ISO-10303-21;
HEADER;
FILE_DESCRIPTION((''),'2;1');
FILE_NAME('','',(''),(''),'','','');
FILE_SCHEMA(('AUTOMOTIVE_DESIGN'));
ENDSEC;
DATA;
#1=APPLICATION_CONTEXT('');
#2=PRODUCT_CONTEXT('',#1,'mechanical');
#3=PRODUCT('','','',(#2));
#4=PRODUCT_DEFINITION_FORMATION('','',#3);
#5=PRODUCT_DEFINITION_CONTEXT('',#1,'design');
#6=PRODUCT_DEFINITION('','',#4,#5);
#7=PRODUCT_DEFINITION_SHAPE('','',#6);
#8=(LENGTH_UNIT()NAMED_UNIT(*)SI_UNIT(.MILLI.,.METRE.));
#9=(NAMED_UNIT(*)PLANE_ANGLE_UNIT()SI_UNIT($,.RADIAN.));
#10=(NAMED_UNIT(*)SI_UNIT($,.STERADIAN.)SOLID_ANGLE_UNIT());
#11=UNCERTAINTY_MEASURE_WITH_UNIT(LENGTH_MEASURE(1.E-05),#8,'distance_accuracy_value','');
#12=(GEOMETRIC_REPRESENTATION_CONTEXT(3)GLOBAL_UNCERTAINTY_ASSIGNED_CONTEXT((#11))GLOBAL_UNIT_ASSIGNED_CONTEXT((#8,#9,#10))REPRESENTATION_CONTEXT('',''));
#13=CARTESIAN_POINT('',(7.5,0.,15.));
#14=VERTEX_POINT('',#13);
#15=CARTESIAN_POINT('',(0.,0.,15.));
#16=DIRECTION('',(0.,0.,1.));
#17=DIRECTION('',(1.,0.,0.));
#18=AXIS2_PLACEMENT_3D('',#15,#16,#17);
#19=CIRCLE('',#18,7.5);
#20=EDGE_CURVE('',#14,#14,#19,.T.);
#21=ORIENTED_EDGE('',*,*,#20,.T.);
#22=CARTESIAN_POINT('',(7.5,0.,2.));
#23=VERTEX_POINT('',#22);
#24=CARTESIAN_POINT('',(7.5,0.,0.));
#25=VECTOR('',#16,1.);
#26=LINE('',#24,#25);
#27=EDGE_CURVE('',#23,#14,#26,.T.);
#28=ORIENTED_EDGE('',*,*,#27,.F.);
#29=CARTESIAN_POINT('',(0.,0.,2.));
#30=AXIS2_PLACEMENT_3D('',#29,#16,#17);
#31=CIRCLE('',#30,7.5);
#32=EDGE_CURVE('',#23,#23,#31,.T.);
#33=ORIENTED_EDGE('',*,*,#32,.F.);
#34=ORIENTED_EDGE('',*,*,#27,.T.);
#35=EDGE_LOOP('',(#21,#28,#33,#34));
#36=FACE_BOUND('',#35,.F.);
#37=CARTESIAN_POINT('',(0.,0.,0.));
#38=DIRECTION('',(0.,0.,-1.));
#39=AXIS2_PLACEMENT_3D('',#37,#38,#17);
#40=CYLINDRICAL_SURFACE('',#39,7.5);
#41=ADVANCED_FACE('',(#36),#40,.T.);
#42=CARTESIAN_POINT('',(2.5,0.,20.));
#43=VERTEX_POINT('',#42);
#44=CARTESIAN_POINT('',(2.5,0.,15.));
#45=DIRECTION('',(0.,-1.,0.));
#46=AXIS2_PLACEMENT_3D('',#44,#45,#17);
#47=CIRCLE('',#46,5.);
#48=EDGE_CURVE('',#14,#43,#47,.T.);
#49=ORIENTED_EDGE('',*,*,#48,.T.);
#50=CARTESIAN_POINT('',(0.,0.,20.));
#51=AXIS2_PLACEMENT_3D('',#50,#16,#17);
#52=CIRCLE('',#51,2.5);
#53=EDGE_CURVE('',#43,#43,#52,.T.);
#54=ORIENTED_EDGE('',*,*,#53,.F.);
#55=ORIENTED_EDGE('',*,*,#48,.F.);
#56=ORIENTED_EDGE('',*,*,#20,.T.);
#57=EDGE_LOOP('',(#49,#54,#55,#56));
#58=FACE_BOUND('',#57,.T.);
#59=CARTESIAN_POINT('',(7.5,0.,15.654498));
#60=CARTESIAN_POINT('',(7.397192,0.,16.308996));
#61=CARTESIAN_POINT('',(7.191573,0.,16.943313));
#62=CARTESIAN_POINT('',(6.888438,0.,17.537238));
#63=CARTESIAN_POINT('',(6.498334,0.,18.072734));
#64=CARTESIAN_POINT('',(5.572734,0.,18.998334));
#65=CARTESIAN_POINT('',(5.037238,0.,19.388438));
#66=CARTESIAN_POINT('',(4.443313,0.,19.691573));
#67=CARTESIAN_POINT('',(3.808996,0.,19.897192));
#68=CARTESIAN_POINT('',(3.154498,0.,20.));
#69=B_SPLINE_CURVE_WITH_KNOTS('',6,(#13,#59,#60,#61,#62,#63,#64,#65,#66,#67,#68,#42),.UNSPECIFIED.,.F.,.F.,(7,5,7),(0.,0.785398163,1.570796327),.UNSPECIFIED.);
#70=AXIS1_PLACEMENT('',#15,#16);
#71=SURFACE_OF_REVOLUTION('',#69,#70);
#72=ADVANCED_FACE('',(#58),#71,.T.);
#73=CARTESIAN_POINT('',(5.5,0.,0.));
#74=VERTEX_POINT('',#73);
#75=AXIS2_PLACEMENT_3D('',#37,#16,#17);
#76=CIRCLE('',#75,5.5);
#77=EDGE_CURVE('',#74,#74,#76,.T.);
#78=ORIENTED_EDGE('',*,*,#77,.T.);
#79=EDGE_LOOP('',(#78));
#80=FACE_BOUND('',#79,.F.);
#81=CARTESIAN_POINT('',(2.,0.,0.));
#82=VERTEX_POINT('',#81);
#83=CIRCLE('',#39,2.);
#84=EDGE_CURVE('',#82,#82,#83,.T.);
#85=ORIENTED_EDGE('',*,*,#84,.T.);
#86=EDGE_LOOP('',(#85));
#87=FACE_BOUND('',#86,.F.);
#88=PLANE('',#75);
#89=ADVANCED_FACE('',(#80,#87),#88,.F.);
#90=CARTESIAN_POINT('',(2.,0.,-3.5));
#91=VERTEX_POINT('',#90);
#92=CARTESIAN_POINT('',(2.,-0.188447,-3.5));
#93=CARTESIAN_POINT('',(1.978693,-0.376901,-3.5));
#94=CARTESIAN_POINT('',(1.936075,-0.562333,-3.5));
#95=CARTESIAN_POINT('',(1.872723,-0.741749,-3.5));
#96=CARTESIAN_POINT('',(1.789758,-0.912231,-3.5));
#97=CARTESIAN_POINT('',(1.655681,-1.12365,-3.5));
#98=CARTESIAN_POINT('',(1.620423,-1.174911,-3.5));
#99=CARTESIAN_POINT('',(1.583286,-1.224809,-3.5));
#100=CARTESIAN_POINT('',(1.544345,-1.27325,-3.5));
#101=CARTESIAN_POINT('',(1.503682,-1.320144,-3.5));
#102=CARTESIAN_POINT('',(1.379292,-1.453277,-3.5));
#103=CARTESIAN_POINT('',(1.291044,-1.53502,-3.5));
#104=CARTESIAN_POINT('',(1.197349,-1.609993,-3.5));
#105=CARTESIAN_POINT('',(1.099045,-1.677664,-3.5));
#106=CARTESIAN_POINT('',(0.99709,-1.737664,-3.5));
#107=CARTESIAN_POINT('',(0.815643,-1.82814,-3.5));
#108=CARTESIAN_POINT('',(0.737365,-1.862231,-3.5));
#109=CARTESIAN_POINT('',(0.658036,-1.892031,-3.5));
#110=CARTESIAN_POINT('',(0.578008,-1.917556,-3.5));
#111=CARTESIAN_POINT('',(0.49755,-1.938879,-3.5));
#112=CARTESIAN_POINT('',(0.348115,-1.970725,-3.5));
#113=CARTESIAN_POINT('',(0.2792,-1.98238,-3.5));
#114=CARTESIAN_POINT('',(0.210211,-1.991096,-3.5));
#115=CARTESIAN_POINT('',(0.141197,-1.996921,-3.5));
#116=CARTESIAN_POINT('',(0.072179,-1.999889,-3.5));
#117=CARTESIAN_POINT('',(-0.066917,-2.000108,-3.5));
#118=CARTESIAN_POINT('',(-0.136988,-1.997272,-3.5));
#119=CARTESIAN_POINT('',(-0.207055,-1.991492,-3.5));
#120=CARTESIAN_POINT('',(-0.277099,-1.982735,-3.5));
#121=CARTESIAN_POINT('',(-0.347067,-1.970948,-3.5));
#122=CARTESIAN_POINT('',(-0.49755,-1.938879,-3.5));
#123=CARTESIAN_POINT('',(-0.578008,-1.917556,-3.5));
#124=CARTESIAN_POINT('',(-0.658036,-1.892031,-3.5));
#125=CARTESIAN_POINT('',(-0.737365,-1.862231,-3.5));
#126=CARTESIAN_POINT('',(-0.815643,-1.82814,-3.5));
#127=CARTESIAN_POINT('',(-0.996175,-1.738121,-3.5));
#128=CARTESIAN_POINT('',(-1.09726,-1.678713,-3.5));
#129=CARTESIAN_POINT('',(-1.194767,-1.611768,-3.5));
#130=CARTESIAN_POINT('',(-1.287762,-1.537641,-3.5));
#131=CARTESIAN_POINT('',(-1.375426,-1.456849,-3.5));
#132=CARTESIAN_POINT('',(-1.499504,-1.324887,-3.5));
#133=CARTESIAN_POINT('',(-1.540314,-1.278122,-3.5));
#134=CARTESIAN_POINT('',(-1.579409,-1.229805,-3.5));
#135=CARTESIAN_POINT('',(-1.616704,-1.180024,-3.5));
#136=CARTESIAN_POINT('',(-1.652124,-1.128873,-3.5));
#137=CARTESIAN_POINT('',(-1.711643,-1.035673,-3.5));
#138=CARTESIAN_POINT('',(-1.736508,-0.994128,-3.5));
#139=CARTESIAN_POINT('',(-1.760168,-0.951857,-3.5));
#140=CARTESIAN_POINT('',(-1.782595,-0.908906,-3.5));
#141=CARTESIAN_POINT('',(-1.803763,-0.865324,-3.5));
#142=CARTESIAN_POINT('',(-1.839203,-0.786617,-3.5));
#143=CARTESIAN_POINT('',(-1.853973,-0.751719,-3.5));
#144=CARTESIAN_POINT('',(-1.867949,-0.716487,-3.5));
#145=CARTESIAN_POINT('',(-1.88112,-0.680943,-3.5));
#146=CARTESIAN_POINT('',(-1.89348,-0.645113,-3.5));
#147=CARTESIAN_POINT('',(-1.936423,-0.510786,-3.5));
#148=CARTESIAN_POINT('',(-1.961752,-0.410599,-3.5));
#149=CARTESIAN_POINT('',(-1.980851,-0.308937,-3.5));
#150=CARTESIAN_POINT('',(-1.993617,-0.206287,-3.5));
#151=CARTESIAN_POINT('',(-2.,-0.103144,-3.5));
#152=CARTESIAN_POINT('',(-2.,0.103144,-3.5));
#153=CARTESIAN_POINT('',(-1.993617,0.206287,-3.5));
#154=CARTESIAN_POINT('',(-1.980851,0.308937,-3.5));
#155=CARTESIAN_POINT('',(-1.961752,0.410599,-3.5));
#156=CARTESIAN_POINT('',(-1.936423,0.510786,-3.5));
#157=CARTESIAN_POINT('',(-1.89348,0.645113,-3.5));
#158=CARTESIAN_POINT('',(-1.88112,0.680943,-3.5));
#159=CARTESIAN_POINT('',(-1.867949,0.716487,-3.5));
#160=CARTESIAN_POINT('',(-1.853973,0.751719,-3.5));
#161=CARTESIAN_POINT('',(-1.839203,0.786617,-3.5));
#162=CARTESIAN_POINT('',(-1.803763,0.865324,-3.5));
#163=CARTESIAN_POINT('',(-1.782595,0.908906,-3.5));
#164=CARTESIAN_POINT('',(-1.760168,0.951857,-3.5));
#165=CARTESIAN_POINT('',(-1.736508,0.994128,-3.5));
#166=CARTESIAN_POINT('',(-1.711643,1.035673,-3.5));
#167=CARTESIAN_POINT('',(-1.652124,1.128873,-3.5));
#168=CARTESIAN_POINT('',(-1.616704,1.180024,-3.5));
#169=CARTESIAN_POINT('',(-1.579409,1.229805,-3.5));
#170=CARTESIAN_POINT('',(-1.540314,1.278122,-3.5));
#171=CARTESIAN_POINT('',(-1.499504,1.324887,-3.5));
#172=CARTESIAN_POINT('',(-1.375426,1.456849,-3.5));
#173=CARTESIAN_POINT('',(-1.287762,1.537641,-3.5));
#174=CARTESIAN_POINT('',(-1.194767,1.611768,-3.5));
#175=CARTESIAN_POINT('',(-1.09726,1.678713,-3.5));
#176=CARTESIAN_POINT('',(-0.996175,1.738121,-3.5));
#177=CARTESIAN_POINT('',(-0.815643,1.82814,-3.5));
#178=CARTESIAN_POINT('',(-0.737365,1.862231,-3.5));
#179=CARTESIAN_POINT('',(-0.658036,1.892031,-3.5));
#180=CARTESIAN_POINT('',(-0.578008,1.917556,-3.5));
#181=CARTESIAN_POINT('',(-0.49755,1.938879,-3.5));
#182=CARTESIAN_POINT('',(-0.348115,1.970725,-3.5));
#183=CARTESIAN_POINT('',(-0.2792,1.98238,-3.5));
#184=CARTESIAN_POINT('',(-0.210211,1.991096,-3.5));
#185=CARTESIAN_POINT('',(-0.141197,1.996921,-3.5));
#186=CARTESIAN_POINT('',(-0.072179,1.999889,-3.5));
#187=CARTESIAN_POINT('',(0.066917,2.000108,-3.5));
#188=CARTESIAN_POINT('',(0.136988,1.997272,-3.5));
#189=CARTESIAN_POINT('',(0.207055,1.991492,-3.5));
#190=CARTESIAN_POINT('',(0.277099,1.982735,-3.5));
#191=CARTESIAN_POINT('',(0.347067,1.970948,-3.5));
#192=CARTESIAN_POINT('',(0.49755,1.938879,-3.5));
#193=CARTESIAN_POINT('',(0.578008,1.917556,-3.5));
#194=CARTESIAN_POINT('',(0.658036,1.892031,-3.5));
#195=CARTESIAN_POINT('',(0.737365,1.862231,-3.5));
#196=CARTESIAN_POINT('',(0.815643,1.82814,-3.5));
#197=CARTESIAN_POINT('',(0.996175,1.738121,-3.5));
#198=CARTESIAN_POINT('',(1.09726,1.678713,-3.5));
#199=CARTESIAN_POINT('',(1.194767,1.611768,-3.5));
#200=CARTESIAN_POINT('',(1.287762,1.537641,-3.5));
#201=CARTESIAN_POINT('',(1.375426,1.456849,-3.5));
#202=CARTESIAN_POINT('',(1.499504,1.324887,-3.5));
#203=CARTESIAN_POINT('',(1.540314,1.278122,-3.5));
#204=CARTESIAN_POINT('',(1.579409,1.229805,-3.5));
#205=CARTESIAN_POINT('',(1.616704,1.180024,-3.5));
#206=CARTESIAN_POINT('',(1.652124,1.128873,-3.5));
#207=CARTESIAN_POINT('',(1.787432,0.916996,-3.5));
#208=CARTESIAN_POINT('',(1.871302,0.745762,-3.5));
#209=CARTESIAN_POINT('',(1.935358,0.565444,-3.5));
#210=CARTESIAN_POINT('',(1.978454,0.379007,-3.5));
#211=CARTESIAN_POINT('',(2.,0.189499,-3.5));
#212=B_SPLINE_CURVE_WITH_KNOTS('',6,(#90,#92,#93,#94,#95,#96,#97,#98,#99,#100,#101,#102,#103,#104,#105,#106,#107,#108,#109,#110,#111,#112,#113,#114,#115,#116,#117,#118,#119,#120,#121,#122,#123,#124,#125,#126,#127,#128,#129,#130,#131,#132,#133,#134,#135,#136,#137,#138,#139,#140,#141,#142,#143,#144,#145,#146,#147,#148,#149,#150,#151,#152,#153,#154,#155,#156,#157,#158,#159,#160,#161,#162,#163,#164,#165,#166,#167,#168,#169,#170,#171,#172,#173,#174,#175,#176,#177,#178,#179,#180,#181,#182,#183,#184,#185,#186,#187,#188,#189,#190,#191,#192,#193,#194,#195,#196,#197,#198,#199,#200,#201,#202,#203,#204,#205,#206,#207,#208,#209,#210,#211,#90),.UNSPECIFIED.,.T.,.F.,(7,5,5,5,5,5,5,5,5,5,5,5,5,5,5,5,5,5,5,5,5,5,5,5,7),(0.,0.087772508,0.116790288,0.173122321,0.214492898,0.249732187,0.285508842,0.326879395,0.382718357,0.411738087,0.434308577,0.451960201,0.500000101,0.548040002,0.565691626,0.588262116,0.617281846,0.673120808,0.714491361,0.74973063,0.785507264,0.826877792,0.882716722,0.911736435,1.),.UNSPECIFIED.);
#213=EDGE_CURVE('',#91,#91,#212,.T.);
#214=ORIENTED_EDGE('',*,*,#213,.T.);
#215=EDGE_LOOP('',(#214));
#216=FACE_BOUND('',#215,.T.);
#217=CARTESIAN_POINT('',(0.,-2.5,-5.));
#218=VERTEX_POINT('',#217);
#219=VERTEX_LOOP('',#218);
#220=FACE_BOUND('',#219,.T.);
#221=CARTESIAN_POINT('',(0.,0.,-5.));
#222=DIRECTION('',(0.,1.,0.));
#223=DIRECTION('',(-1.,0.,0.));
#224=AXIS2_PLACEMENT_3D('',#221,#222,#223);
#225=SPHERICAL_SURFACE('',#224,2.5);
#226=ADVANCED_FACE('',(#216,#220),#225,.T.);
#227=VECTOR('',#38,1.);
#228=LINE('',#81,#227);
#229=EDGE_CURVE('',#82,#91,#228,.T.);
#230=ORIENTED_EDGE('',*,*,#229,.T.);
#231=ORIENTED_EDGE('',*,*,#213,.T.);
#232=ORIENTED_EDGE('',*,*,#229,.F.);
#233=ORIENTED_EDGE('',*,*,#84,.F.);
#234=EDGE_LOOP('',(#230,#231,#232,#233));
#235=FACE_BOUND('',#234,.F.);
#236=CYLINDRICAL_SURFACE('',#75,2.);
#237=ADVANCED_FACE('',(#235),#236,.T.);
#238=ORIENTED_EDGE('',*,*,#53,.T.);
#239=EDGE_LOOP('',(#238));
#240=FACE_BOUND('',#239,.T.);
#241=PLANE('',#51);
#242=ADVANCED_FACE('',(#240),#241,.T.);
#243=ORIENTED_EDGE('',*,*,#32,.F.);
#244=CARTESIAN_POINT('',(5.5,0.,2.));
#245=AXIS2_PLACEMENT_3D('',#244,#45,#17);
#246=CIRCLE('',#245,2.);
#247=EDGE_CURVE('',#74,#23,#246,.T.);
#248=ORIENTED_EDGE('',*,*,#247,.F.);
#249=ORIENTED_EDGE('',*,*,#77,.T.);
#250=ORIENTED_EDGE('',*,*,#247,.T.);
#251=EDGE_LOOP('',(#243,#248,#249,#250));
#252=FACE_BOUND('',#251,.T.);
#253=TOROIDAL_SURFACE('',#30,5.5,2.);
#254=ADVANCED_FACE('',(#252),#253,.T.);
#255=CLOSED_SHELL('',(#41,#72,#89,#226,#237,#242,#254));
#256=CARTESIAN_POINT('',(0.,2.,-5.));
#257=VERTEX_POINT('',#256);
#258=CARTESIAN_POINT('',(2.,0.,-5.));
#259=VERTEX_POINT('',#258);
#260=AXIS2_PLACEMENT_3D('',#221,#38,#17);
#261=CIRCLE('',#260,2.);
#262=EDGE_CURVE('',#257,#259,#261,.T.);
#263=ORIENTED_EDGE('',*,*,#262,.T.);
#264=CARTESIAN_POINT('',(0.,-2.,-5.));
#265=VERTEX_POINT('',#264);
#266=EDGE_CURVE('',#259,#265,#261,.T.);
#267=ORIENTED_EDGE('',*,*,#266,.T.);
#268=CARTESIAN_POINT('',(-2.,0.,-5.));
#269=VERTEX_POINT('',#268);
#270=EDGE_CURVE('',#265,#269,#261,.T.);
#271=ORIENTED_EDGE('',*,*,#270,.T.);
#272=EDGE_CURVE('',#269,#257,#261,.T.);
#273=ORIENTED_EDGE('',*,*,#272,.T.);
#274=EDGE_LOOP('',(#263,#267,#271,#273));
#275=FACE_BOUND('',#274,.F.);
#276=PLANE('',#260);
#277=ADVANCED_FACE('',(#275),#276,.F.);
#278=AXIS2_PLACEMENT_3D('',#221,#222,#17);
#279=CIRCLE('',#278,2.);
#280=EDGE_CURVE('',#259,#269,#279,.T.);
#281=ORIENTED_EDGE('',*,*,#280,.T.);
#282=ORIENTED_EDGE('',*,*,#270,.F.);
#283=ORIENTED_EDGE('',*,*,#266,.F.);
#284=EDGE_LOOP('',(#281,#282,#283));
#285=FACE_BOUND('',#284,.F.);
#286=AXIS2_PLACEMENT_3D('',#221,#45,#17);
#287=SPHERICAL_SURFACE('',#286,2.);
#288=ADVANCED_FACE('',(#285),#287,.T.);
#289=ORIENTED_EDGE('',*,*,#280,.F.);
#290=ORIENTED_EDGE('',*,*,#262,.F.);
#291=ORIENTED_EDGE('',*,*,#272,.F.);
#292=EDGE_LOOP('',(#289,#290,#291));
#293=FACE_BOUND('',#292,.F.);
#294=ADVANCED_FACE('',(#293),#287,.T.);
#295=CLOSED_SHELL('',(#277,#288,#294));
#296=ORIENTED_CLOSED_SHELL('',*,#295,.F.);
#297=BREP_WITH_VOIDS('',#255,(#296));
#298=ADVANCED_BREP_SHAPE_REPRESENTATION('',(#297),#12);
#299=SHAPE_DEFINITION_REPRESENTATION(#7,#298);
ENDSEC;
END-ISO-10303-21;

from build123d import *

# Parameters (mm, degrees)
F0_R     = 7.5
F1_DEPTH = 20
F2_R     = 5
F3_R     = 2
F4_DEPTH = 5
F7_R     = 2


with BuildPart() as f1:
    # F0 (on Top) → F1 (new body)
    with BuildSketch(Plane.XY):
        Circle(F0_R)
    extrude(amount=F1_DEPTH)

    # F2
    f2_edges = [f1.edges().sort_by_distance(p)[0] for p in [
        (-7.5, 0, 20),
    ]]
    fillet(f2_edges, radius=F2_R)

    # F3 (on face) → F4 (join)
    with BuildSketch(Plane(origin=(0, 0, 0), x_dir=(1, 0, 0), z_dir=(0, 0, -1))):
        Circle(F3_R)
    extrude(amount=F4_DEPTH)

    # F5 (on face) → F6 (revolve)
    with BuildSketch(Plane(origin=(0, 0, -5), x_dir=(1, 0, 0), z_dir=(0, 0, -1))):
        with BuildLine():
            Line((0, 2), (0, 2.5))
            ThreePointArc((0, 2.5), (-2.5, 0), (0, -2.5))
            Line((0, -2.5), (0, -2))
            ThreePointArc((0, -2), (-2, 0), (0, 2))
        make_face()
        with BuildLine():
            Line((0, -2), (0, 2))
            ThreePointArc((0, 2), (-2, 0), (0, -2))
        make_face()
        with BuildLine():
            ThreePointArc((2, 0), (1.4142135624, 1.4142135624), (0, 2))
            Line((0, 2), (0, -2))
            ThreePointArc((0, -2), (1.4142135624, -1.4142135624), (2, 0))
        make_face()
    revolve(axis=Axis((0, 0, -5), (0, 1, 0)))

    # F7
    f7_edges = [f1.edges().sort_by_distance(p)[0] for p in [
        (-7.5, 0, 0),
    ]]
    fillet(f7_edges, radius=F7_R)


solid = f1.part
